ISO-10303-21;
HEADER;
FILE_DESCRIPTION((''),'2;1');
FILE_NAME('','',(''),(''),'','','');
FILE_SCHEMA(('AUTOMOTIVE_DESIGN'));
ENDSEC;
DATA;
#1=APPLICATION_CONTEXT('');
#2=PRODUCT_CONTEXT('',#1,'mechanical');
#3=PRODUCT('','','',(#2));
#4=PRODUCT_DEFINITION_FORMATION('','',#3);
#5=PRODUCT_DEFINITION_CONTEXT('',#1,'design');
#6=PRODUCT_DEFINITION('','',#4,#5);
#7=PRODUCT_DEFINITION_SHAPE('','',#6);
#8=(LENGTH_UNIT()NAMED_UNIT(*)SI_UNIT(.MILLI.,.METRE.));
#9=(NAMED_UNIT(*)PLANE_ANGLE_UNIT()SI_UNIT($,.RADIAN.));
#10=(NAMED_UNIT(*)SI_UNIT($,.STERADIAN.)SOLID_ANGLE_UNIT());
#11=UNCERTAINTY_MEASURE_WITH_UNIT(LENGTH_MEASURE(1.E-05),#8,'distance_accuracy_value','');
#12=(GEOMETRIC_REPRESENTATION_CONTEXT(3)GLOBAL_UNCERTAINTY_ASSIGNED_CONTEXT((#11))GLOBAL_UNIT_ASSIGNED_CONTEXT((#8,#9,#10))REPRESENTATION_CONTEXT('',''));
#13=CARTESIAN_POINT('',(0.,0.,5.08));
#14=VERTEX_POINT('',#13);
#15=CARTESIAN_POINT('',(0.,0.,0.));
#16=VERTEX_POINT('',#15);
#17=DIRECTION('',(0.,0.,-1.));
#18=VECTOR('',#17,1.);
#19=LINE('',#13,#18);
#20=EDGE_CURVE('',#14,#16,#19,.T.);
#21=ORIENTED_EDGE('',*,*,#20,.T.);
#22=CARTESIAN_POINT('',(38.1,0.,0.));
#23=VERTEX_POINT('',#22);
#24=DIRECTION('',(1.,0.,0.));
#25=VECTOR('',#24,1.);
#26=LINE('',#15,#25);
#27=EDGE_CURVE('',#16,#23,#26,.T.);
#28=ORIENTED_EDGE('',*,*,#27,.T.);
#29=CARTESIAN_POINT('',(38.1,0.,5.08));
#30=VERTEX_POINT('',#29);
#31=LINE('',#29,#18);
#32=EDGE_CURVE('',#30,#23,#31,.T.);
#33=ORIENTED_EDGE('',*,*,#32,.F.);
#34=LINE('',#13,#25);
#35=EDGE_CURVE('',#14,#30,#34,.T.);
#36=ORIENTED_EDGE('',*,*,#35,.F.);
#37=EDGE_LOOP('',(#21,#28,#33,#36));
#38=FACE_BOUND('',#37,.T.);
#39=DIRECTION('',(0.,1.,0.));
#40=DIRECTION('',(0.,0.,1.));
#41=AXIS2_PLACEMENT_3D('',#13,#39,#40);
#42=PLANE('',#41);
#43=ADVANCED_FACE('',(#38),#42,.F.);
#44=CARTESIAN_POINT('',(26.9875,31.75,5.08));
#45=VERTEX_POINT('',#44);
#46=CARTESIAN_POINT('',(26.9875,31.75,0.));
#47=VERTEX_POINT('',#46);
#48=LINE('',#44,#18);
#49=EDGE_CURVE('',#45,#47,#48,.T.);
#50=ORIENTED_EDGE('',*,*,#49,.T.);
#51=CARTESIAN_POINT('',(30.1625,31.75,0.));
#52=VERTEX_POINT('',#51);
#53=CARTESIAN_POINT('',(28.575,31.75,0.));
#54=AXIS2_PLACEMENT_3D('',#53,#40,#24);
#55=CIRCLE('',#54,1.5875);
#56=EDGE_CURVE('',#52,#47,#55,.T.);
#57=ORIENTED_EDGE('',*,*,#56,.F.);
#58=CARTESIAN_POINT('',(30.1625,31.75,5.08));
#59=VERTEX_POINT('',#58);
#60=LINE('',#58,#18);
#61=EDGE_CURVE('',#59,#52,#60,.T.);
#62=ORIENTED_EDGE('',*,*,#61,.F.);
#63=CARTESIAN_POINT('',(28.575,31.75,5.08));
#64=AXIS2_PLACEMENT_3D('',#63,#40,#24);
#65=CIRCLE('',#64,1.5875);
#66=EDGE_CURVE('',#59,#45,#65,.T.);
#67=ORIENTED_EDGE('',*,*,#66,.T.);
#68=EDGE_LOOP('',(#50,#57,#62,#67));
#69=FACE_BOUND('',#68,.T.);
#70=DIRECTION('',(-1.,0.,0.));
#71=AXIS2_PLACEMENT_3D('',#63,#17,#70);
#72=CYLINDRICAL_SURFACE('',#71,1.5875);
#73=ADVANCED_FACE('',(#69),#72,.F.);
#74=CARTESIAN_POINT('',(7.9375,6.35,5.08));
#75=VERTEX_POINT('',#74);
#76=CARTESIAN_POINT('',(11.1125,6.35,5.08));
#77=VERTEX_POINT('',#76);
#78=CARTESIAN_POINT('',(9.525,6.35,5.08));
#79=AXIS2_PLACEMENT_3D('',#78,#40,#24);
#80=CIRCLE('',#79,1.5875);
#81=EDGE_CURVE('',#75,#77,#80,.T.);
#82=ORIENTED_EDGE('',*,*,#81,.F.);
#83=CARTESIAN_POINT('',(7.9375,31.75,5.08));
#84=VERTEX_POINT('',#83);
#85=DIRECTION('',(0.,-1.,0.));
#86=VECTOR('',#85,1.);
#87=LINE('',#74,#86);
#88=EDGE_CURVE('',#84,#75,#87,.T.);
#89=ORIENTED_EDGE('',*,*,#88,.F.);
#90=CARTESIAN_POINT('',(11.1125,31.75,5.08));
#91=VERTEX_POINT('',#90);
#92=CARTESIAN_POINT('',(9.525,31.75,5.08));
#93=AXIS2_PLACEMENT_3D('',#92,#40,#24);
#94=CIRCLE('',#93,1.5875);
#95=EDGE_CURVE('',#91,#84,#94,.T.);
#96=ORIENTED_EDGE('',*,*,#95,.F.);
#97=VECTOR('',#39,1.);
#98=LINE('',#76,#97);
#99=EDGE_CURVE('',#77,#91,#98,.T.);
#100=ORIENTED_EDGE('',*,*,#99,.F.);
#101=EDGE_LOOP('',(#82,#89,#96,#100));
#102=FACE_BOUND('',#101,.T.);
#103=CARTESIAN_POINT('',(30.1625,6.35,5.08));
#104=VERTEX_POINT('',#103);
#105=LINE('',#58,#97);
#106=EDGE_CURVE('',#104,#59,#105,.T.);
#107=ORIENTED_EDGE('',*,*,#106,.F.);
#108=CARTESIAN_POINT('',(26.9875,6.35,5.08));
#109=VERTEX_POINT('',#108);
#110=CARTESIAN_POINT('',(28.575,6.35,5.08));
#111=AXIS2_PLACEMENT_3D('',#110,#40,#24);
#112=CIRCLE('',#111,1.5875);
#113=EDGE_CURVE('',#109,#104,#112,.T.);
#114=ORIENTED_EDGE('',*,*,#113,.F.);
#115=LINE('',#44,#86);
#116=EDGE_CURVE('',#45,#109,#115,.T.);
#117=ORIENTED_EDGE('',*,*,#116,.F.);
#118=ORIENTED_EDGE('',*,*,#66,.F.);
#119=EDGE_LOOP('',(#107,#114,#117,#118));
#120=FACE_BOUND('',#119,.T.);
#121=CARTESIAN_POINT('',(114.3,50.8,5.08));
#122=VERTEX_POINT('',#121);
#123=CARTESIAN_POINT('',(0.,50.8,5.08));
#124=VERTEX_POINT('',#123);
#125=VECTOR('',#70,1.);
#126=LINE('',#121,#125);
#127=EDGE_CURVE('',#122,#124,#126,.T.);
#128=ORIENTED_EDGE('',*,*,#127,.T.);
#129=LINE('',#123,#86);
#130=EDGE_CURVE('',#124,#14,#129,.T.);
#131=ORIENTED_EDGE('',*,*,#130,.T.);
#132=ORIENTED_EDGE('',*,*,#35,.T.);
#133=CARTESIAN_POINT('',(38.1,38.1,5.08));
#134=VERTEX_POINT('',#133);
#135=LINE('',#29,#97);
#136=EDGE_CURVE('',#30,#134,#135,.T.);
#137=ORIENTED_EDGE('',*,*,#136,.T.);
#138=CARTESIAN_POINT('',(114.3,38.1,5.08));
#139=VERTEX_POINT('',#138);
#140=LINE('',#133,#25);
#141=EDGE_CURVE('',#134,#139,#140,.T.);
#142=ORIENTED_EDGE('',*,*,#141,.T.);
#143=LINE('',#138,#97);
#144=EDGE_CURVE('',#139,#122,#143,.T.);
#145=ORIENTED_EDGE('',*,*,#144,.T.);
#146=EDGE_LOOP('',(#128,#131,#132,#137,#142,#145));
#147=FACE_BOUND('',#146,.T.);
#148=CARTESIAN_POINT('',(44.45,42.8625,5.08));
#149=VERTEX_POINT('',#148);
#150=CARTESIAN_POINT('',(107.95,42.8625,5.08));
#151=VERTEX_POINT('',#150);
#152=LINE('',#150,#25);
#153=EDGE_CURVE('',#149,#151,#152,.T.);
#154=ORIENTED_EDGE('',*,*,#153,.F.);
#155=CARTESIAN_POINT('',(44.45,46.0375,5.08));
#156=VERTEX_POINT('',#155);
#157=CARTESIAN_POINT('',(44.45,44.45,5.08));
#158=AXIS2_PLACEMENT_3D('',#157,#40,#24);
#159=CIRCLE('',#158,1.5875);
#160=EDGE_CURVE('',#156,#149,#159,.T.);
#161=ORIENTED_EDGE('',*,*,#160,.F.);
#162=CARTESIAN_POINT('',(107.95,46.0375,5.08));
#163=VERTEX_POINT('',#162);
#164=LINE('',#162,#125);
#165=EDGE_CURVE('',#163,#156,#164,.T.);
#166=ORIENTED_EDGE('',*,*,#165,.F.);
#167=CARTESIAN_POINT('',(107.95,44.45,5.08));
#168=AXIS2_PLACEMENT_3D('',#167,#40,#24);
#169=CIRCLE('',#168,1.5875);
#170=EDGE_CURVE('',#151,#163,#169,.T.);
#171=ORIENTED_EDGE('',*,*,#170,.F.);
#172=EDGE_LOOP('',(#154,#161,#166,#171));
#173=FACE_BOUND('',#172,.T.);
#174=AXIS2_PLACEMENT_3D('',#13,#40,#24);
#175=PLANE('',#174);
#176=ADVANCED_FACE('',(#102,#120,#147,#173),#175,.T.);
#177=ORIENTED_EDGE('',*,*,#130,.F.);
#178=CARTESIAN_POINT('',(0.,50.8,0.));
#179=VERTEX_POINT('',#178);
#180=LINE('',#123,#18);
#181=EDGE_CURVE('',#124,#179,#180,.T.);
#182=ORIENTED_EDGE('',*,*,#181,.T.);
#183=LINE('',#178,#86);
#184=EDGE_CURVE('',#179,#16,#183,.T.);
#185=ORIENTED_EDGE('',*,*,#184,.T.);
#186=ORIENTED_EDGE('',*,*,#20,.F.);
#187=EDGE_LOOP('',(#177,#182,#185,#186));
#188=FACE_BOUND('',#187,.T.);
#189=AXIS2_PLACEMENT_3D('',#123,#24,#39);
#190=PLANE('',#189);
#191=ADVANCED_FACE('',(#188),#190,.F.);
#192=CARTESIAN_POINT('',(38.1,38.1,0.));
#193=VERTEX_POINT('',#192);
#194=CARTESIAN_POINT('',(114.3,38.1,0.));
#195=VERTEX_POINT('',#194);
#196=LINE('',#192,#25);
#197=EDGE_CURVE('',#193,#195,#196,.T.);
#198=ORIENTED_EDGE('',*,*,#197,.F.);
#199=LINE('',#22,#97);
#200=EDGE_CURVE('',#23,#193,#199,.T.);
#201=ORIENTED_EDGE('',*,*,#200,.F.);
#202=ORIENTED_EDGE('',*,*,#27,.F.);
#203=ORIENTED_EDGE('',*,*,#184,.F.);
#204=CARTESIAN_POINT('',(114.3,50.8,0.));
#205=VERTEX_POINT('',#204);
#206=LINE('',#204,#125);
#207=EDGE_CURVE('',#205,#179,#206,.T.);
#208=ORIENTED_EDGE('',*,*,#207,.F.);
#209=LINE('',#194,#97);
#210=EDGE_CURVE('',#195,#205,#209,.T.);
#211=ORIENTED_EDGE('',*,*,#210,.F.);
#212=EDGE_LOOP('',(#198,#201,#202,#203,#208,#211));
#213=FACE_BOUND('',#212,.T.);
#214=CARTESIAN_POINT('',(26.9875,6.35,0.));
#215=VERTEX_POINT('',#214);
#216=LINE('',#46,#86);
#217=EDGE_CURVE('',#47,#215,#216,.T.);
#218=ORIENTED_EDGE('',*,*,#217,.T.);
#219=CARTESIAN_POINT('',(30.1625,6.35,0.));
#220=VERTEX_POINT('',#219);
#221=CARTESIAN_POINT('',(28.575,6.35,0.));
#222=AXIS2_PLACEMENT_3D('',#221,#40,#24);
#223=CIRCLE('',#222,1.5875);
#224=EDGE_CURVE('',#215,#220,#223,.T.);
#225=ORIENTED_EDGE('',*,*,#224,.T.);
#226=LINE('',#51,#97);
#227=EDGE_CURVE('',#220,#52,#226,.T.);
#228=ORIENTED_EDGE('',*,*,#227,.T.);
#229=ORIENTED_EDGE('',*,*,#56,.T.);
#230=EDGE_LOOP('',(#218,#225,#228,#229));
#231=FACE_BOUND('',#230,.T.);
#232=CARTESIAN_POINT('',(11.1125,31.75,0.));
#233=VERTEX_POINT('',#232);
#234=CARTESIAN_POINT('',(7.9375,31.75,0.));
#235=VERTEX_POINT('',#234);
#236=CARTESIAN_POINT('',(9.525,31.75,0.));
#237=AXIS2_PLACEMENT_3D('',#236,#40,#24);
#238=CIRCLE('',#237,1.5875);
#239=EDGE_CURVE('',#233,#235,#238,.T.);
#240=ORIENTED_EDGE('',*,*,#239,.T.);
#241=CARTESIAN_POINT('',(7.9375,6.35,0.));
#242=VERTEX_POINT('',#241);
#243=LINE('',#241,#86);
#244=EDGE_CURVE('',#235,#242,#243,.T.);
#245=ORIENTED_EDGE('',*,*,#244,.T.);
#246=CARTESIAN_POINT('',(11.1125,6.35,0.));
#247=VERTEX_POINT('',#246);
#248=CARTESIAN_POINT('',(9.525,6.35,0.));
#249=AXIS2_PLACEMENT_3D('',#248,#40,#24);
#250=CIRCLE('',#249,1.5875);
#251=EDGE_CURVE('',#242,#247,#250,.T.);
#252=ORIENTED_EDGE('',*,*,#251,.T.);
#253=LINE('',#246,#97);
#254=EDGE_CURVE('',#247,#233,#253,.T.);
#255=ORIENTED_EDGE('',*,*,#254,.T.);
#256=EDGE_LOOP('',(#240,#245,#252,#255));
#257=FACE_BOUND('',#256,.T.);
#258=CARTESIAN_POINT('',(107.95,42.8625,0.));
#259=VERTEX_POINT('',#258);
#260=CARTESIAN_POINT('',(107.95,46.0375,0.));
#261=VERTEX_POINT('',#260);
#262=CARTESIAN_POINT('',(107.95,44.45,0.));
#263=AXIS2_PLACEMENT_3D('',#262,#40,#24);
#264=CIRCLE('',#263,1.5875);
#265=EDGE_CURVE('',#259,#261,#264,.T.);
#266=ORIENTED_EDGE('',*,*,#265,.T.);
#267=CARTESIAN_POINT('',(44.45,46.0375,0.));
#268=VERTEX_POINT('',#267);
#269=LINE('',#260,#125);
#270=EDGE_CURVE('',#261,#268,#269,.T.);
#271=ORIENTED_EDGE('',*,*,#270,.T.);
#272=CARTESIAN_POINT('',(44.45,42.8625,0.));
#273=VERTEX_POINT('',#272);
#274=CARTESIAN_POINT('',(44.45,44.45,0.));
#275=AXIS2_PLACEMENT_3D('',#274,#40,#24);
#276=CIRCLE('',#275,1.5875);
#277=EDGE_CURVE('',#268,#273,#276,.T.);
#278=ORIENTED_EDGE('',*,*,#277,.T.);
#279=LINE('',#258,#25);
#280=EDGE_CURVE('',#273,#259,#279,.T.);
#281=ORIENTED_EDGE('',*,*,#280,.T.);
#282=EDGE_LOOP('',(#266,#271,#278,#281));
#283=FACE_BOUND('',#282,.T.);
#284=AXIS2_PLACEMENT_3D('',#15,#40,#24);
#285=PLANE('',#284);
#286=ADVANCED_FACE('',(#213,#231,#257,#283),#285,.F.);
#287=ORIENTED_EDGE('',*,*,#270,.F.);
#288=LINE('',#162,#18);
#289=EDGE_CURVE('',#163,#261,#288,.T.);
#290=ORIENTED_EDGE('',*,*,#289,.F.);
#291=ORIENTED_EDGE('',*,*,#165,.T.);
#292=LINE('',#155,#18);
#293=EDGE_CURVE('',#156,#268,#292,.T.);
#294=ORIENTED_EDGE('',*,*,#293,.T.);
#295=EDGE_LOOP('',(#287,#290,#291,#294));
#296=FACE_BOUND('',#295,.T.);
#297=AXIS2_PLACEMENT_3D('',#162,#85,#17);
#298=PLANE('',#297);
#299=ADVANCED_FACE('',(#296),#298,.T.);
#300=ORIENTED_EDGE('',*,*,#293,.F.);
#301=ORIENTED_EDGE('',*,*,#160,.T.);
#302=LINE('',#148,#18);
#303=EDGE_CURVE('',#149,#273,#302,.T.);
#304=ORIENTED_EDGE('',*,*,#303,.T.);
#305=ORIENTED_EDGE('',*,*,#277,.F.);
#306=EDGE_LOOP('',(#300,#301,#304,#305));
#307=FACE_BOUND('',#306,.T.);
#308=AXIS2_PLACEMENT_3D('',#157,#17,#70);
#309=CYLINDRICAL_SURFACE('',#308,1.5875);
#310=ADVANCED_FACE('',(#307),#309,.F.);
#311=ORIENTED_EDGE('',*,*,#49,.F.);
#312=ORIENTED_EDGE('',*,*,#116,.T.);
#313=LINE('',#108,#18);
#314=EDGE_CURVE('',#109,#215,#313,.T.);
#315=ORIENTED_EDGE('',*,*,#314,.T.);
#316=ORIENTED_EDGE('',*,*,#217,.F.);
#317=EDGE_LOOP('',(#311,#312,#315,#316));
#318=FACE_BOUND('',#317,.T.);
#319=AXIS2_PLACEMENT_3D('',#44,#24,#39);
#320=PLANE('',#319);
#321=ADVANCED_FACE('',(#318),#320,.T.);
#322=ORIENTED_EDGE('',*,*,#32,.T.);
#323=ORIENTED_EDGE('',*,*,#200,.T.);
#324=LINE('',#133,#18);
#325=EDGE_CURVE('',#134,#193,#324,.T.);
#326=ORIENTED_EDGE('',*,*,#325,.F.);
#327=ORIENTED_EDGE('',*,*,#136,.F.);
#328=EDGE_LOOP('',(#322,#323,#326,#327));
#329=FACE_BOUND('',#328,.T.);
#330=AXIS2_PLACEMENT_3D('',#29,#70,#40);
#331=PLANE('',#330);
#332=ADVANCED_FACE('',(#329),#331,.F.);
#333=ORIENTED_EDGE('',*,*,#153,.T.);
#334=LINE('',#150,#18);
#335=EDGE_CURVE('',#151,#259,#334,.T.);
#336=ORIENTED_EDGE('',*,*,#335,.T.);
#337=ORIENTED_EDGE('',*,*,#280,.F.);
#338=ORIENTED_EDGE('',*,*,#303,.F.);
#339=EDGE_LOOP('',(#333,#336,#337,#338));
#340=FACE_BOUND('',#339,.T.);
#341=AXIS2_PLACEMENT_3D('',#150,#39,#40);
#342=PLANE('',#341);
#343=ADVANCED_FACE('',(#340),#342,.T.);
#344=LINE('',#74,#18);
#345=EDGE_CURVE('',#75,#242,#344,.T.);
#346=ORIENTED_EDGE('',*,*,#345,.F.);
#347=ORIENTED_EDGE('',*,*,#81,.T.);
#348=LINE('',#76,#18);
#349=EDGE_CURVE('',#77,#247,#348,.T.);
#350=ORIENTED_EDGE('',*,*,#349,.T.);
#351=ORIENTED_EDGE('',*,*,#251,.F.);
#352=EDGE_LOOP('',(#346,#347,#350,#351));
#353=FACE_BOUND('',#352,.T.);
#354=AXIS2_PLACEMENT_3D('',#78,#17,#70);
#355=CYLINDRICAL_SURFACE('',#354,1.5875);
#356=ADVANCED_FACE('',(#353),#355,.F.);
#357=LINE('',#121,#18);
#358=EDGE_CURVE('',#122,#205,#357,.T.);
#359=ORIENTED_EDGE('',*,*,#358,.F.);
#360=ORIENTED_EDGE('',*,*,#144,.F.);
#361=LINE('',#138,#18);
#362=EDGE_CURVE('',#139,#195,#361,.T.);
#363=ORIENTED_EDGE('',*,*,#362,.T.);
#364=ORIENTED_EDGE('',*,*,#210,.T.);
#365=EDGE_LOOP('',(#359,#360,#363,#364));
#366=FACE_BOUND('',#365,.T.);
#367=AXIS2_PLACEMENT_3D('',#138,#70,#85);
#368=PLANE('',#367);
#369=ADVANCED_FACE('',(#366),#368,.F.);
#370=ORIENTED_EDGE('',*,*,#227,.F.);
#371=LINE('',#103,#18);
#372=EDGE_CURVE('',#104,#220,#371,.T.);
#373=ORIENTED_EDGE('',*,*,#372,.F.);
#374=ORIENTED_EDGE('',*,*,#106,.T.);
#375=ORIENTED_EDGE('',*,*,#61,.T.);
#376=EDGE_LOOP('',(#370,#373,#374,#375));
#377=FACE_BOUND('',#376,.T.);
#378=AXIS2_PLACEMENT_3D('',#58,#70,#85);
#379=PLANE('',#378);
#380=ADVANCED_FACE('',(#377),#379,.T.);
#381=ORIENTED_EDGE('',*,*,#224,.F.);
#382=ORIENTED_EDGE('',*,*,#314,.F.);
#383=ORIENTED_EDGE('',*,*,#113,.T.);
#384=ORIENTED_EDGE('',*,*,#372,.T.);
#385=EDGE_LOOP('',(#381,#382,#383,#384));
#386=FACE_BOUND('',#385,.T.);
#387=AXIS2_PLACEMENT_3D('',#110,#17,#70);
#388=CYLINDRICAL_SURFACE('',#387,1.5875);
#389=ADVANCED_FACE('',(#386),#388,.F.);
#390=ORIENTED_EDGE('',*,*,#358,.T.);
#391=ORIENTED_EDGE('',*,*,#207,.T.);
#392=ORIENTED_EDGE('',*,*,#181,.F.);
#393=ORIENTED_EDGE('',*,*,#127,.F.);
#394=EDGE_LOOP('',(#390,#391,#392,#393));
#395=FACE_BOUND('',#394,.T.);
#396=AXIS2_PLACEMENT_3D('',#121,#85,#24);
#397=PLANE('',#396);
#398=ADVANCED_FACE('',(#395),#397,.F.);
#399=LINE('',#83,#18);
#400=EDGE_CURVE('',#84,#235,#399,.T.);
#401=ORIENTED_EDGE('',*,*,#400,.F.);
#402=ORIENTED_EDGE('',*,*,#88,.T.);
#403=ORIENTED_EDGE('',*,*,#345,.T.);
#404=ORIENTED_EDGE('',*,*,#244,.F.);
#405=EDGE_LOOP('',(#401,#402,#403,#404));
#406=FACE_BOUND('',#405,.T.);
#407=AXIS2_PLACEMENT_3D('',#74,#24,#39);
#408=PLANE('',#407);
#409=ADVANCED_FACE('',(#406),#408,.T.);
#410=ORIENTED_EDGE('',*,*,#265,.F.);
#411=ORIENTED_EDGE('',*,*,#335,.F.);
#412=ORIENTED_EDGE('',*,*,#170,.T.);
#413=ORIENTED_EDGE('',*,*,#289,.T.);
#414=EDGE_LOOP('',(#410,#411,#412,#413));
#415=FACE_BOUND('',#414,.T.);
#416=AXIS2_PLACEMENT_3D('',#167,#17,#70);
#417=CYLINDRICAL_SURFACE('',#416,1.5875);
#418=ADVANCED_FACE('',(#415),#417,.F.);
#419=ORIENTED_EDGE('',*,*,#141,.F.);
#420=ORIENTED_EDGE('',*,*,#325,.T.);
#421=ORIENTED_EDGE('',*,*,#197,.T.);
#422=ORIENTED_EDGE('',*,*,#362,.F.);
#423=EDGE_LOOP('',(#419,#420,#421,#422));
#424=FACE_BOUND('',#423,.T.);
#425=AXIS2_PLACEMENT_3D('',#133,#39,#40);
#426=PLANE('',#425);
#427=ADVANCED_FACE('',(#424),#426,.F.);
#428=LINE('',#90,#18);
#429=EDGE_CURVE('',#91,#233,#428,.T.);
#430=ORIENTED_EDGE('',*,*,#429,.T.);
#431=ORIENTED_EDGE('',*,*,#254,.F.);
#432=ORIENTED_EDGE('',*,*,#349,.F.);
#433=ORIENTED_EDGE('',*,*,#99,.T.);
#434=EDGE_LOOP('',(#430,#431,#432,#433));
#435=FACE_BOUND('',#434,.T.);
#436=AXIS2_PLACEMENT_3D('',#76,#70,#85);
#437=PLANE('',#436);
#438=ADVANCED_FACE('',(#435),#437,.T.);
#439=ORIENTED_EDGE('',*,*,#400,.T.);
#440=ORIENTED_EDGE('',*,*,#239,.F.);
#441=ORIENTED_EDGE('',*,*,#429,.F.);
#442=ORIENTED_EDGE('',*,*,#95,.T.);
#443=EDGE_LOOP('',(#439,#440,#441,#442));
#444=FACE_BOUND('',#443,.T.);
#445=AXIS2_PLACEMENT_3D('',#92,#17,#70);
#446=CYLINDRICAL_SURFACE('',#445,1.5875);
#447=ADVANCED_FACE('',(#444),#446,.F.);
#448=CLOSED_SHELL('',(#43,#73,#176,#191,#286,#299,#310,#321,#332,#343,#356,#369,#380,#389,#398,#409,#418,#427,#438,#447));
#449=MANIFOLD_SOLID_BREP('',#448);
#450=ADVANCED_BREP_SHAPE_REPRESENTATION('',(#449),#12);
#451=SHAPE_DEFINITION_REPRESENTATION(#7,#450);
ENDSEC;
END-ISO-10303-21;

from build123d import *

# Parameters (mm, degrees)
BOSS_EXTRUDE2_DEPTH = 5.08


with BuildPart() as part:
    # Sketch1 → Boss-Extrude2 (new body)
    with BuildSketch(Plane.XY):
        Polygon((0, 0), (38.1, 0), (38.1, 38.1), (114.3, 38.1), (114.3, 50.8), (0, 50.8), align=None)
        with BuildLine():
            Line((7.9375, 6.35), (7.9375, 31.75))
            ThreePointArc((7.9375, 31.75), (9.525, 33.3375), (11.1125, 31.75))
            Line((11.1125, 31.75), (11.1125, 6.35))
            ThreePointArc((11.1125, 6.35), (9.525, 4.7625), (7.9375, 6.35))
        make_face(mode=Mode.SUBTRACT)
        with BuildLine():
            Line((30.1625, 31.75), (30.1625, 6.35))
            ThreePointArc((30.1625, 6.35), (28.575, 4.7625), (26.9875, 6.35))
            Line((26.9875, 6.35), (26.9875, 31.75))
            ThreePointArc((26.9875, 31.75), (28.575, 33.3375), (30.1625, 31.75))
        make_face(mode=Mode.SUBTRACT)
        with BuildLine():
            Line((107.95, 42.8625), (44.45, 42.8625))
            ThreePointArc((44.45, 42.8625), (42.8625, 44.45), (44.45, 46.0375))
            Line((44.45, 46.0375), (107.95, 46.0375))
            ThreePointArc((107.95, 46.0375), (109.5375, 44.45), (107.95, 42.8625))
        make_face(mode=Mode.SUBTRACT)
    extrude(amount=BOSS_EXTRUDE2_DEPTH)


solid = part.part
